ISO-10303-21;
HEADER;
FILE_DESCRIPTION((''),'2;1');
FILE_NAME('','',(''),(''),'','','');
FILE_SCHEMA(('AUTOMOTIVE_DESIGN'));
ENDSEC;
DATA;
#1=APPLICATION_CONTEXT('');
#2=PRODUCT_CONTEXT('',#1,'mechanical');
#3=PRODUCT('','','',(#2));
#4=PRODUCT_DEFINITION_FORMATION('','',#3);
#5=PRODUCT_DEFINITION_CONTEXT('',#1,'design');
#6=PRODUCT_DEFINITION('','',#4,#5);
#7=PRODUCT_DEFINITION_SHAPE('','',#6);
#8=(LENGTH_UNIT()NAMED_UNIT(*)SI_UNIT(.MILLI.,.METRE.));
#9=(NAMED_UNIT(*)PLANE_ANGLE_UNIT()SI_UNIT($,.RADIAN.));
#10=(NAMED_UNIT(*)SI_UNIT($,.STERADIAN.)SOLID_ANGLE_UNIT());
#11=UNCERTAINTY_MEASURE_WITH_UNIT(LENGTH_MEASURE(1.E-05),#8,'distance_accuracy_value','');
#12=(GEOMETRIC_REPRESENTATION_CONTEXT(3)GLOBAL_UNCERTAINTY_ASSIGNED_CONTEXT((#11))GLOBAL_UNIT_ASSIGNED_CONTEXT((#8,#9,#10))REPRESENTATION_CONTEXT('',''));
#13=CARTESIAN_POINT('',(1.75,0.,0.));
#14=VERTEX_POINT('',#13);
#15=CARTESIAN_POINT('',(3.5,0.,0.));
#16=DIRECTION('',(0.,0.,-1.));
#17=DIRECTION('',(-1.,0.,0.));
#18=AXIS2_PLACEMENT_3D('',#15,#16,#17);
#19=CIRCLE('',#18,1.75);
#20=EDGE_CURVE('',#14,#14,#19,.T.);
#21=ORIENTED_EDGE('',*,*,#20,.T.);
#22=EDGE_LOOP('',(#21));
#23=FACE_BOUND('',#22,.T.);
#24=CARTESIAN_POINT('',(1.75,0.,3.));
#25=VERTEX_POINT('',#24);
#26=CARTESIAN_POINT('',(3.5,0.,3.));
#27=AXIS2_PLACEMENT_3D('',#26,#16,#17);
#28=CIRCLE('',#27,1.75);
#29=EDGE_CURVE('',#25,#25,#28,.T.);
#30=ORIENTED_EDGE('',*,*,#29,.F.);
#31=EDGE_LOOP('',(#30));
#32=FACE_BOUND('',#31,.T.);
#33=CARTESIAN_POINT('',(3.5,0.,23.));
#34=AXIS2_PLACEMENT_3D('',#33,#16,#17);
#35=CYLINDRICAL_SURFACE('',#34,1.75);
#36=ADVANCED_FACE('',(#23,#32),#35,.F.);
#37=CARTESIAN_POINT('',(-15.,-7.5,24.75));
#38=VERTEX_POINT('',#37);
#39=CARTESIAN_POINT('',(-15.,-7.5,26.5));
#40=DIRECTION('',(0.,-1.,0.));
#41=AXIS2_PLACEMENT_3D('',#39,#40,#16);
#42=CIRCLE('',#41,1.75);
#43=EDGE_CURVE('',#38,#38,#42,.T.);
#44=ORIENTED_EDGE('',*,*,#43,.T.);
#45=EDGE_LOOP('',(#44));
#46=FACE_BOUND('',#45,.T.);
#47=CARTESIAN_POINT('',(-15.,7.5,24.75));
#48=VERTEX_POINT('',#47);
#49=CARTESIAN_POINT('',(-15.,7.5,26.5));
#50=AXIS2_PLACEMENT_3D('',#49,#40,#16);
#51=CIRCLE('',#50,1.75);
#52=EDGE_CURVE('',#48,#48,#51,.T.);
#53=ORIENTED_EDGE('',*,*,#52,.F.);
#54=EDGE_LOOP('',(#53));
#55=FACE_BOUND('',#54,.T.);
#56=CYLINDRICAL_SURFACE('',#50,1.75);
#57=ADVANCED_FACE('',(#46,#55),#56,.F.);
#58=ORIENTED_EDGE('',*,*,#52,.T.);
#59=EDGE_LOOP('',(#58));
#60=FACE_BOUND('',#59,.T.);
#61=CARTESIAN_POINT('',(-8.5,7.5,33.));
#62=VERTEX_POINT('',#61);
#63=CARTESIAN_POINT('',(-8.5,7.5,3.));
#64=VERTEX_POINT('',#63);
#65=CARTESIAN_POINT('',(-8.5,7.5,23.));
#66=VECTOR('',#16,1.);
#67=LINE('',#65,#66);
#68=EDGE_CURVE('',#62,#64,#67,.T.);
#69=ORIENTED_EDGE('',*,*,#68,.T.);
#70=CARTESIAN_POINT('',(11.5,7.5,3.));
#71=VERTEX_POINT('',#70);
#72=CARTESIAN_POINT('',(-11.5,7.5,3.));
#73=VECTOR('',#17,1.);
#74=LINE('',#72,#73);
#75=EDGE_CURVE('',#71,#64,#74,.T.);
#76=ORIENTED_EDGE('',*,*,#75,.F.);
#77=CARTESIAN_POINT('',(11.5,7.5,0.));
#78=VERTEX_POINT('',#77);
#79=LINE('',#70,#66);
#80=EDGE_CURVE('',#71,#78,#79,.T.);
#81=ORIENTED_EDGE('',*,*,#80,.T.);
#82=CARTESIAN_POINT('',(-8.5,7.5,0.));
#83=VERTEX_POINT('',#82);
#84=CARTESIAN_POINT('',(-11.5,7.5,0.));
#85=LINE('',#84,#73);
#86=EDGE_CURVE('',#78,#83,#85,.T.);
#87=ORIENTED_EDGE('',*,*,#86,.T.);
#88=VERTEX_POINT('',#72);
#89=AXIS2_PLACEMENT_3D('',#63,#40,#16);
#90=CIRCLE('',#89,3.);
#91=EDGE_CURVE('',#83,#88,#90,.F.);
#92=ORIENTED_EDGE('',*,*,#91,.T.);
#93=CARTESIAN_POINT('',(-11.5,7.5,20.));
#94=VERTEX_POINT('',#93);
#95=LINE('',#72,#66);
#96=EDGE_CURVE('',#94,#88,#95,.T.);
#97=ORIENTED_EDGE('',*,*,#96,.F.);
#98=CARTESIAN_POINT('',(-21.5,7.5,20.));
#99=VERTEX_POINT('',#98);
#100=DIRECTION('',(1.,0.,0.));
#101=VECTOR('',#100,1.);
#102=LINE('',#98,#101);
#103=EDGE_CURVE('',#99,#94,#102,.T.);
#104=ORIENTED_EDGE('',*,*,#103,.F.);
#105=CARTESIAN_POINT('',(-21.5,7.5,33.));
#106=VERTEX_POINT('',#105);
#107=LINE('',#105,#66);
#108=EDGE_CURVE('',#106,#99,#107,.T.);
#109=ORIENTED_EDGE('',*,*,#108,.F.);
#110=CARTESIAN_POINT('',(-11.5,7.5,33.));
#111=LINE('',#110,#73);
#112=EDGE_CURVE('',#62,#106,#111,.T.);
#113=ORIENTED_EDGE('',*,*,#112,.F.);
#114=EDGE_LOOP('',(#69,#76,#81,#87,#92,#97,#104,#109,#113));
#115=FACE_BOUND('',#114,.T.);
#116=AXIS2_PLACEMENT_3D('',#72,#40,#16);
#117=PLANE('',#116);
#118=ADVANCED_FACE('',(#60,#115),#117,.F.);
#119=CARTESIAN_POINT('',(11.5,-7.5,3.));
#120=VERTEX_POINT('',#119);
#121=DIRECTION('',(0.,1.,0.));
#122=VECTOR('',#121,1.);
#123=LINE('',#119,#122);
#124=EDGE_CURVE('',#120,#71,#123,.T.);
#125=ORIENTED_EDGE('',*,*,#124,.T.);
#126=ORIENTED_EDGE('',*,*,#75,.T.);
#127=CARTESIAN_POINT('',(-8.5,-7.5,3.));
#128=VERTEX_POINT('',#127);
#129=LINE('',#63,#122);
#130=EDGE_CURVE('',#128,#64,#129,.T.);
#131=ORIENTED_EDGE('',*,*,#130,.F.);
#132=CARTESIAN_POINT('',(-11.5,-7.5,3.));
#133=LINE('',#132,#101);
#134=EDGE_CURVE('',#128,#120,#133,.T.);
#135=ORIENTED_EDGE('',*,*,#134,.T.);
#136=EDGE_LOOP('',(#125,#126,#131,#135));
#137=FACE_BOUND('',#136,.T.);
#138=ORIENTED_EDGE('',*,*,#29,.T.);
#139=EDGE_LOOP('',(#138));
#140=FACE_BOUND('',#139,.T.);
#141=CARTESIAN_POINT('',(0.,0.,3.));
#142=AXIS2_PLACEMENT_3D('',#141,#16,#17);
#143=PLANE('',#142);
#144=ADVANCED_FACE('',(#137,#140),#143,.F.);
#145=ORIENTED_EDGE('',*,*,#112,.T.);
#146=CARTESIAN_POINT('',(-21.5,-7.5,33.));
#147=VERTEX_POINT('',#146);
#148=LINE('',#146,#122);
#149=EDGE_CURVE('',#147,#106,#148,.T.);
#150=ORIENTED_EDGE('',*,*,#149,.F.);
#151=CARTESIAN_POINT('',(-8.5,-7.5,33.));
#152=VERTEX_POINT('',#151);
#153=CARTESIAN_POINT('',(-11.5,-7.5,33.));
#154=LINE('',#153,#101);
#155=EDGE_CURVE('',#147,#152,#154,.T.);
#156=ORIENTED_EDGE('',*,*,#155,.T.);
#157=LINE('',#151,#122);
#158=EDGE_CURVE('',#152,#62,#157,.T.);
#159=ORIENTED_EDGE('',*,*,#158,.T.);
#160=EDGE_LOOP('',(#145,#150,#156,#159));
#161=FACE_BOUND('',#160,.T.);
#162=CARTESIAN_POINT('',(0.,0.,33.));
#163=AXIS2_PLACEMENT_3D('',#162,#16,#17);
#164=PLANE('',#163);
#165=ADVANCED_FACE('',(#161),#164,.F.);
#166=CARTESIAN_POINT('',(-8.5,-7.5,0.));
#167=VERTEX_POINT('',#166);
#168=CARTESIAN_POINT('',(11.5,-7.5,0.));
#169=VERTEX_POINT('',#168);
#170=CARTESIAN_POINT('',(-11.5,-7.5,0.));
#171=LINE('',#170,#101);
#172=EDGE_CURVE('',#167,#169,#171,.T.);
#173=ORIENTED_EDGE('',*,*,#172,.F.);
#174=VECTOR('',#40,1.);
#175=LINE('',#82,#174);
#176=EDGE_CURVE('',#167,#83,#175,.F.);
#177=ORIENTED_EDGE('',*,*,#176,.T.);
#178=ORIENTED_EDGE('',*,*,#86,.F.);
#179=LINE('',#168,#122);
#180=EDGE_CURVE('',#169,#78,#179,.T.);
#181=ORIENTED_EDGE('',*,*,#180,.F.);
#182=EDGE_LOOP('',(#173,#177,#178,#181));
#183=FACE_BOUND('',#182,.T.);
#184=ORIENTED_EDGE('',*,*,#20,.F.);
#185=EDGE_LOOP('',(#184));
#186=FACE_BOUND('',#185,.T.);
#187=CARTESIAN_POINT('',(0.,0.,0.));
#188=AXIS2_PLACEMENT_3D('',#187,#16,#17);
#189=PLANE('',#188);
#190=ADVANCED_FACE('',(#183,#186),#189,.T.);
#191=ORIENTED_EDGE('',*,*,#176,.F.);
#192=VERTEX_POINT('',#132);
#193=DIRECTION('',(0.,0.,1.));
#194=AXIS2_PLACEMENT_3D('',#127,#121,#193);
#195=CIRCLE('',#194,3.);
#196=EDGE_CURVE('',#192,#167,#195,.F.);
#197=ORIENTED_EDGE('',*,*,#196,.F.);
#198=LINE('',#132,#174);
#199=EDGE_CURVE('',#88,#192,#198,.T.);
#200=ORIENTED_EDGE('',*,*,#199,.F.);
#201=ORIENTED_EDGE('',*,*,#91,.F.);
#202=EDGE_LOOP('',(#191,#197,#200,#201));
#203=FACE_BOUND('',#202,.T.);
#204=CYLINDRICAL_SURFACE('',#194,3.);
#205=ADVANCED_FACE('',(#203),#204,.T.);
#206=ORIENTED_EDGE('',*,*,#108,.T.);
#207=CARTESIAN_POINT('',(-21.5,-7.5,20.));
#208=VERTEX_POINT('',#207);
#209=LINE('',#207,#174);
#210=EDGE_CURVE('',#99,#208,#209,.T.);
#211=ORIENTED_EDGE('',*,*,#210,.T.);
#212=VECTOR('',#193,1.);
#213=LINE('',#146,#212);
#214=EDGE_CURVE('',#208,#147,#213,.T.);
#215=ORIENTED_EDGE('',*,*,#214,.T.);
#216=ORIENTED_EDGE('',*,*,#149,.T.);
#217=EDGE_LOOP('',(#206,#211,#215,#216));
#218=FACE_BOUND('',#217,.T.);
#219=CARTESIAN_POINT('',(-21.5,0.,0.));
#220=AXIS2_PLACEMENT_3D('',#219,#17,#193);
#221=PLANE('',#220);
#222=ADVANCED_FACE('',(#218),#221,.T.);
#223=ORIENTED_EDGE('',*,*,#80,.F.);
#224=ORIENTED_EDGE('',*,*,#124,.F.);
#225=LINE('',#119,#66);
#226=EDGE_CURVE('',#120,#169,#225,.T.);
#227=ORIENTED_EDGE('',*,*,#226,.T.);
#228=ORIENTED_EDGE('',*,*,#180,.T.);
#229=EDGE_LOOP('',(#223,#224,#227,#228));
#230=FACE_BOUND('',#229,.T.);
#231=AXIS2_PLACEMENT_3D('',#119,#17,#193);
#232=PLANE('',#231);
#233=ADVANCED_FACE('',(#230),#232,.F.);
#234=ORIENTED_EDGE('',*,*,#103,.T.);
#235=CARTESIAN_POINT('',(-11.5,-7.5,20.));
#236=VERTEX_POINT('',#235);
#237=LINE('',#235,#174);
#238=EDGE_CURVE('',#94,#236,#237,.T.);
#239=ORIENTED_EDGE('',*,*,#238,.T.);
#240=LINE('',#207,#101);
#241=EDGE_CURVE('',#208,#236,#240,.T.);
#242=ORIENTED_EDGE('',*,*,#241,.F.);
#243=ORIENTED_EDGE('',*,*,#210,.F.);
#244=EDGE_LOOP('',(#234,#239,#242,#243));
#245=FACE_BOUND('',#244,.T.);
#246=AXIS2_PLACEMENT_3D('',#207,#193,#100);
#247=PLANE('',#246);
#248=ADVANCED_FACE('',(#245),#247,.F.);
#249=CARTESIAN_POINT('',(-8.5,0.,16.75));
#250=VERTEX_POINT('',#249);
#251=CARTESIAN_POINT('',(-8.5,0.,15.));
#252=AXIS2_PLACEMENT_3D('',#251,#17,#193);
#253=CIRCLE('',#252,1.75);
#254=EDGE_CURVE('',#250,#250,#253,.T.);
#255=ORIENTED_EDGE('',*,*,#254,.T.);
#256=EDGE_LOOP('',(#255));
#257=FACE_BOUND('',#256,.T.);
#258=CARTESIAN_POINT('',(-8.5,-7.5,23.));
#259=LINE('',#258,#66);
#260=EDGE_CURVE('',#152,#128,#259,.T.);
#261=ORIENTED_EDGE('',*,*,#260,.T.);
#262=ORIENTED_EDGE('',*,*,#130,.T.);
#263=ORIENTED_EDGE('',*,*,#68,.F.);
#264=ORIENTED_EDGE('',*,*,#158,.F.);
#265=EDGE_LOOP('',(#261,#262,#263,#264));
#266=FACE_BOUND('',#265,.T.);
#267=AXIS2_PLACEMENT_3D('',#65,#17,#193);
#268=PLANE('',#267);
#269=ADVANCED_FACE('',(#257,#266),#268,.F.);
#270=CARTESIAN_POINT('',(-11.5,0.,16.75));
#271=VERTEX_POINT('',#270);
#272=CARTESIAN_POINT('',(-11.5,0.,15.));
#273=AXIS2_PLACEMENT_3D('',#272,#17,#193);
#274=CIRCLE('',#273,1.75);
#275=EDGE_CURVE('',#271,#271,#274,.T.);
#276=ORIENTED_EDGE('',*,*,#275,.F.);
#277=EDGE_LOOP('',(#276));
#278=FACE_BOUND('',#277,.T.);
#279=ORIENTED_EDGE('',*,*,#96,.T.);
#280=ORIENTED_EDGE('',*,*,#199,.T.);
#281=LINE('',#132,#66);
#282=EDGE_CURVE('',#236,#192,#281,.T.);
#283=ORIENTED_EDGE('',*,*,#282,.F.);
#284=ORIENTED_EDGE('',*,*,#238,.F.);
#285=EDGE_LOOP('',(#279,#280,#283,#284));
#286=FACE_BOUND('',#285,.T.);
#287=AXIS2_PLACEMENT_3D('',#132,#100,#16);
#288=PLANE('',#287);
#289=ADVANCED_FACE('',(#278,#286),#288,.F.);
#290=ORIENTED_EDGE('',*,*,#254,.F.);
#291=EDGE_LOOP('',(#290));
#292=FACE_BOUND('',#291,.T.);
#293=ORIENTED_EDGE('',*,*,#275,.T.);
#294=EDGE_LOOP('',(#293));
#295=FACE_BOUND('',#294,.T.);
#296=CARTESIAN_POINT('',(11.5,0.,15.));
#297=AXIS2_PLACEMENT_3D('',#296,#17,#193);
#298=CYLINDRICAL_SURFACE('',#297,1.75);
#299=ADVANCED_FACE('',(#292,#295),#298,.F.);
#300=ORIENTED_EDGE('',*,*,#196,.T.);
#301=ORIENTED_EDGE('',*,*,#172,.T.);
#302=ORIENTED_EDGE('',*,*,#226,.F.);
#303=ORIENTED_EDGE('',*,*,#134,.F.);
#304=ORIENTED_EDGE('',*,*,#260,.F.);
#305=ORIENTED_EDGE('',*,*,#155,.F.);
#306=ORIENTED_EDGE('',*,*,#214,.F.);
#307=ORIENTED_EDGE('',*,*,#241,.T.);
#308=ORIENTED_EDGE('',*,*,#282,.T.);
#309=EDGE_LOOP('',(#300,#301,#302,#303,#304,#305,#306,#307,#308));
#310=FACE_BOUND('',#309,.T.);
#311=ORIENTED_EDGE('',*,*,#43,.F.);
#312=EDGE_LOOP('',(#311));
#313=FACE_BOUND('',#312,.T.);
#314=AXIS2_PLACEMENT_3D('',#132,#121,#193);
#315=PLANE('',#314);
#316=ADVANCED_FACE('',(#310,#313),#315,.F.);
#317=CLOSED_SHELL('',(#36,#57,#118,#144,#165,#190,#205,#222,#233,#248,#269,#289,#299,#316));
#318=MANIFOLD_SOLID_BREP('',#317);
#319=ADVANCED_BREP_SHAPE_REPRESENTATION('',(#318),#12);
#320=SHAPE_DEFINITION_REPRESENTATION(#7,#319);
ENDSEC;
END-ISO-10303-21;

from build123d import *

# Parameters (mm, degrees)
SKETCH1_W           = 23
SKETCH1_H           = 15
BOSS_EXTRUDE1_DEPTH = 3
SKETCH10_W          = 3
SKETCH10_H          = 15
BOSS_EXTRUDE2_DEPTH = 20
SKETCH13_R          = 1.75
CUT_EXTRUDE3_DEPTH  = 24
SKETCH14_R          = 1.75
CUT_EXTRUDE4_DEPTH  = 24
FILLET1_R           = 3
SKETCH15_W          = 3
SKETCH15_H          = 15
BOSS_EXTRUDE3_DEPTH = 10
SKETCH16_W          = 13
SKETCH16_H          = 15
BOSS_EXTRUDE4_DEPTH = 10
SKETCH17_R          = 1.75
CUT_EXTRUDE5_DEPTH  = 16


with BuildPart() as part:
    # Sketch1 → Boss-Extrude1 (new body)
    with BuildSketch(Plane.XY):
        Rectangle(SKETCH1_W, SKETCH1_H)
    extrude(amount=BOSS_EXTRUDE1_DEPTH)

    # Sketch10 → Boss-Extrude2 (add)
    with BuildSketch(Plane.XY.offset(3)):
        with Locations((-10, 0)):
            Rectangle(SKETCH10_W, SKETCH10_H)
    extrude(amount=BOSS_EXTRUDE2_DEPTH)

    # Sketch13 → Cut-Extrude3 (cut, through all)
    with BuildSketch(Plane(origin=(0, 0, 0), x_dir=(-1, 0, 0), z_dir=(0, 0, -1))):
        with Locations((-3.5, 0)):
            Circle(SKETCH13_R)
    extrude(amount=-CUT_EXTRUDE3_DEPTH, mode=Mode.SUBTRACT)

    # Sketch14 → Cut-Extrude4 (cut, through all)
    with BuildSketch(Plane.ZY.offset(11.5)):
        with Locations((15, 0)):
            Circle(SKETCH14_R)
    extrude(amount=-CUT_EXTRUDE4_DEPTH, mode=Mode.SUBTRACT)

    # Fillet1
    fillet1_edges = [part.edges().sort_by_distance(p)[0] for p in [
        (-11.5, 0, 0),
    ]]
    fillet(fillet1_edges, radius=FILLET1_R)

    # Sketch15 → Boss-Extrude3 (add)
    with BuildSketch(Plane.XY.offset(23)):
        with Locations((-10, 0)):
            Rectangle(SKETCH15_W, SKETCH15_H)
    extrude(amount=BOSS_EXTRUDE3_DEPTH)

    # Sketch16 → Boss-Extrude4 (add)
    with BuildSketch(Plane.ZY.offset(11.5)):
        with Locations((26.5, 0)):
            Rectangle(SKETCH16_W, SKETCH16_H)
    extrude(amount=BOSS_EXTRUDE4_DEPTH)

    # Sketch17 → Cut-Extrude5 (cut, through all)
    with BuildSketch(Plane.XZ.offset(7.5)):
        with Locations((-15, 26.5)):
            Circle(SKETCH17_R)
    extrude(amount=-CUT_EXTRUDE5_DEPTH, mode=Mode.SUBTRACT)


solid = part.part
